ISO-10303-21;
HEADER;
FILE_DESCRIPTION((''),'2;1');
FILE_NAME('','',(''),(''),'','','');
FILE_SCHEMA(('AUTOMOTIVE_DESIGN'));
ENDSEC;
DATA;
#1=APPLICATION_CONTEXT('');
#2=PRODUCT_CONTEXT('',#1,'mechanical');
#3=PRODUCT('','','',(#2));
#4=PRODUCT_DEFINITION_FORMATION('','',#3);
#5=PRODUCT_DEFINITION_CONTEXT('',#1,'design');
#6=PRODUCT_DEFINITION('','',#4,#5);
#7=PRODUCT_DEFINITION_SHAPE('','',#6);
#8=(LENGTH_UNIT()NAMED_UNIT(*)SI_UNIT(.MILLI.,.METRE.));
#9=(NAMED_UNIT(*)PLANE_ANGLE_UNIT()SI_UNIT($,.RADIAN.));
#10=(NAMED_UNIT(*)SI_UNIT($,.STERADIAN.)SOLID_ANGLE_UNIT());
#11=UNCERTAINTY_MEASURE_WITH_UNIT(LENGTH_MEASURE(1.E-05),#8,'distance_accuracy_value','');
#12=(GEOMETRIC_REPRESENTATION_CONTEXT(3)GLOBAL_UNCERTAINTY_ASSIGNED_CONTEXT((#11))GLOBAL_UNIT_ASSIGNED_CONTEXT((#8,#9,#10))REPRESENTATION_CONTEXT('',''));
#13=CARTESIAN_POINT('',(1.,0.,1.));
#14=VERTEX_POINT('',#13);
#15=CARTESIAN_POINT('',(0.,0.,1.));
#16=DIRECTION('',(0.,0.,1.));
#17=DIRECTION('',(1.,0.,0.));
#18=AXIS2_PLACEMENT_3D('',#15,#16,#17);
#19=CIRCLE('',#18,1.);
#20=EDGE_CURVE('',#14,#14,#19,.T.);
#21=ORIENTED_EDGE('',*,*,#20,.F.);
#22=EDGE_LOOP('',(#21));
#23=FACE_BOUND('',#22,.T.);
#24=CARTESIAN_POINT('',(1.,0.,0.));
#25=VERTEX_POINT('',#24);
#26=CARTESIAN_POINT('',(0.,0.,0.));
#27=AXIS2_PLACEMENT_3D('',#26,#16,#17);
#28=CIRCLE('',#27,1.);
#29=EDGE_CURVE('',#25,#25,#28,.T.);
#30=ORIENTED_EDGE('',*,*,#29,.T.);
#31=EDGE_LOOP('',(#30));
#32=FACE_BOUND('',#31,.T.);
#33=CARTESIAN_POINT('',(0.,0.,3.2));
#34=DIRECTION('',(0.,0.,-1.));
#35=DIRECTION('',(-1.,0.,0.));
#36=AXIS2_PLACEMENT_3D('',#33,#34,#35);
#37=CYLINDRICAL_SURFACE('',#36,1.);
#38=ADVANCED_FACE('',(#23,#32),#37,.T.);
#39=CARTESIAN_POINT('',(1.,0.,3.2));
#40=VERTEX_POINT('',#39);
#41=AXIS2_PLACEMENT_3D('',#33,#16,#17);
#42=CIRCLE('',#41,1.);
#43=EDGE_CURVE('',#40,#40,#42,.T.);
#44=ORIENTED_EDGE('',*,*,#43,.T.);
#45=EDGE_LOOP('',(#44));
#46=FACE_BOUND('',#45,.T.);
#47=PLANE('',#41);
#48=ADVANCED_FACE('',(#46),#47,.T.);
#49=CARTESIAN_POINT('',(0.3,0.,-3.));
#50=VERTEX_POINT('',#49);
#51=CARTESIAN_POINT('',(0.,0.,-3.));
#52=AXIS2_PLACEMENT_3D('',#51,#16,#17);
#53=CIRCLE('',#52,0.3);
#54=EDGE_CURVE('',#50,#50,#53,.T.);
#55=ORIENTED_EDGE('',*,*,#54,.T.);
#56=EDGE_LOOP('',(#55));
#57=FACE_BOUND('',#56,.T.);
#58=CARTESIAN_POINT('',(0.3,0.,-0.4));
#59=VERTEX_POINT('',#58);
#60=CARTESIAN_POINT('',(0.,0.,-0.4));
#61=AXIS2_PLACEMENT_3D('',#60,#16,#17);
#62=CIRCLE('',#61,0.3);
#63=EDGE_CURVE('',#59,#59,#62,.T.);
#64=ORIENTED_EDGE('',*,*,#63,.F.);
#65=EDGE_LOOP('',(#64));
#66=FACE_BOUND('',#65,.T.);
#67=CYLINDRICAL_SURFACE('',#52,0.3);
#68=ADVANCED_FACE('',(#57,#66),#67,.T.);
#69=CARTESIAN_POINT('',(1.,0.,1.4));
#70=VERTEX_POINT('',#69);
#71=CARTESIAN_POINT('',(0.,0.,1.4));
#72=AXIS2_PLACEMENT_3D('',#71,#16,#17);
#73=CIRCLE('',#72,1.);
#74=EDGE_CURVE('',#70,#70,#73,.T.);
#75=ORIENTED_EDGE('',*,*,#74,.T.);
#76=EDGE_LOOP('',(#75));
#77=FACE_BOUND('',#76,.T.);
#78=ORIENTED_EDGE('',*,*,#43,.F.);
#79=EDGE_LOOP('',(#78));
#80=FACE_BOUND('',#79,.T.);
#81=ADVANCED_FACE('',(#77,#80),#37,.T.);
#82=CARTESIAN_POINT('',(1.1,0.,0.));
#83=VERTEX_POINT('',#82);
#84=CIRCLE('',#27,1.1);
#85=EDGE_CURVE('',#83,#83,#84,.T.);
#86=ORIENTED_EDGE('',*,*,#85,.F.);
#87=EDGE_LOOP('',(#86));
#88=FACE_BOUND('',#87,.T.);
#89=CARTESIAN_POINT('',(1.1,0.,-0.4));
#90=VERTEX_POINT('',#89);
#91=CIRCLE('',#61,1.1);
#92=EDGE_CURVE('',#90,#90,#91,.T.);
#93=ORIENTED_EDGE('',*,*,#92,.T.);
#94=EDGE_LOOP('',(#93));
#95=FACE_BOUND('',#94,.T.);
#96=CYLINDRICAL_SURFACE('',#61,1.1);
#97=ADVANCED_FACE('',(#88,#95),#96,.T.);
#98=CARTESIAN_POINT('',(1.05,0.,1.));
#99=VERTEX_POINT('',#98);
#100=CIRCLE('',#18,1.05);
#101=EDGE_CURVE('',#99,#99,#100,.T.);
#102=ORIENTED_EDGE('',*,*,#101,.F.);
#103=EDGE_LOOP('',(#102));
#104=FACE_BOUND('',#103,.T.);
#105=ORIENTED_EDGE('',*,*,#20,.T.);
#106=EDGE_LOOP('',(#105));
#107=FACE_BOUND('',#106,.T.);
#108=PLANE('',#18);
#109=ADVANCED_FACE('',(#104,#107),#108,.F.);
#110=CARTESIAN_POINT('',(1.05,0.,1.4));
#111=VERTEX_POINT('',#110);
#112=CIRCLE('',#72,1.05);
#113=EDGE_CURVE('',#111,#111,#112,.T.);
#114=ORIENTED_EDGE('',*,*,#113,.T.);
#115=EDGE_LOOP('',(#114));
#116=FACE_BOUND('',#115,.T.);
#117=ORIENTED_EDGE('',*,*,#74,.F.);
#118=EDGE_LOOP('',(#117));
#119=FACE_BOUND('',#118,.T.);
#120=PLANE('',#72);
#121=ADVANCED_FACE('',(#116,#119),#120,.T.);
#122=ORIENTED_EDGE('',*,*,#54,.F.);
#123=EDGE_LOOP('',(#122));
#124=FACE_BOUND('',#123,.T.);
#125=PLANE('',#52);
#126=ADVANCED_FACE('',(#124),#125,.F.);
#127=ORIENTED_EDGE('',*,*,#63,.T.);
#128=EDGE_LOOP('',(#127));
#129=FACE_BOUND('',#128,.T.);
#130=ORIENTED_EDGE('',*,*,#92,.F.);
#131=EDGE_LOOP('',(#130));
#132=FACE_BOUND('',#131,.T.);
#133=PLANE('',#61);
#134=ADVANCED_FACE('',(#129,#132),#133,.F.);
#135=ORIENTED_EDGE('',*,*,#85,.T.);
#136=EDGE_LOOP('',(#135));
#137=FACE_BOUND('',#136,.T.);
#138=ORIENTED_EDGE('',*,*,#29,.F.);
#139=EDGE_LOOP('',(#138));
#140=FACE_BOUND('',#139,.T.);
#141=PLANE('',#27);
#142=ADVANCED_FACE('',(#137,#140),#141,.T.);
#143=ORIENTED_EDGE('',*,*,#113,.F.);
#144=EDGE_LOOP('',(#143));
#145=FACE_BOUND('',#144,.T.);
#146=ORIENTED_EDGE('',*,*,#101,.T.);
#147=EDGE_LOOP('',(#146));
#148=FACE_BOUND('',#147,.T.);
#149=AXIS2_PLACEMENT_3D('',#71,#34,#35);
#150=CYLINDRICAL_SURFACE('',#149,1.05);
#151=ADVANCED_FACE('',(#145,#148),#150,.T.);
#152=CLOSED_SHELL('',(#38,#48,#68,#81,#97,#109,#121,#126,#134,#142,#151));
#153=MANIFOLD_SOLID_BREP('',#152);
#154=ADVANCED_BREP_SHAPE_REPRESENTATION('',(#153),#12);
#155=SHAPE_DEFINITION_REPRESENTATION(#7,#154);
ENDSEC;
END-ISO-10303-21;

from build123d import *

# Parameters (mm, degrees)
SKETCH_1_R      = 1
SKETCH_1_R_2    = 0.3
EXTRUDE_1_DEPTH = 3.2
SKETCH_1_3_R    = 1.1
SKETCH_1_3_R_2  = 1
SKETCH_1_3_R_3  = 0.3
EXTRUDE_2_DEPTH = 0.4
SKETCH_1_5_R    = 0.3
EXTRUDE_3_DEPTH = 3
SKETCH_2_R      = 1.05
EXTRUDE_4_DEPTH = 0.4


with BuildPart() as part:
    # Sketch 1 → Extrude 1 (new body)
    with BuildSketch(Plane.XY):
        Circle(SKETCH_1_R)
        Circle(SKETCH_1_R_2, mode=Mode.SUBTRACT)
        Circle(SKETCH_1_R_2)
    extrude(amount=EXTRUDE_1_DEPTH)



with BuildPart() as body_2:
    # Sketch 1_3 → Extrude 2 (new body)
    with BuildSketch(Plane.XY):
        Circle(SKETCH_1_3_R)
        Circle(SKETCH_1_3_R_2, mode=Mode.SUBTRACT)
        Circle(SKETCH_1_3_R_2)
        Circle(SKETCH_1_3_R_3, mode=Mode.SUBTRACT)
    extrude(amount=-EXTRUDE_2_DEPTH)


with BuildPart() as part_1:
    add(part.part)

    add(body_2.part)  # Extrude 3 merges body 2
    # Sketch 1_5 → Extrude 3 (add)
    with BuildSketch(Plane.XY):
        Circle(SKETCH_1_5_R)
    extrude(amount=-EXTRUDE_3_DEPTH)

    # Sketch 2 → Extrude 4 (add)
    with BuildSketch(Plane.XY.offset(1)):
        Circle(SKETCH_2_R)
    extrude(amount=EXTRUDE_4_DEPTH)


solid = part_1.part
